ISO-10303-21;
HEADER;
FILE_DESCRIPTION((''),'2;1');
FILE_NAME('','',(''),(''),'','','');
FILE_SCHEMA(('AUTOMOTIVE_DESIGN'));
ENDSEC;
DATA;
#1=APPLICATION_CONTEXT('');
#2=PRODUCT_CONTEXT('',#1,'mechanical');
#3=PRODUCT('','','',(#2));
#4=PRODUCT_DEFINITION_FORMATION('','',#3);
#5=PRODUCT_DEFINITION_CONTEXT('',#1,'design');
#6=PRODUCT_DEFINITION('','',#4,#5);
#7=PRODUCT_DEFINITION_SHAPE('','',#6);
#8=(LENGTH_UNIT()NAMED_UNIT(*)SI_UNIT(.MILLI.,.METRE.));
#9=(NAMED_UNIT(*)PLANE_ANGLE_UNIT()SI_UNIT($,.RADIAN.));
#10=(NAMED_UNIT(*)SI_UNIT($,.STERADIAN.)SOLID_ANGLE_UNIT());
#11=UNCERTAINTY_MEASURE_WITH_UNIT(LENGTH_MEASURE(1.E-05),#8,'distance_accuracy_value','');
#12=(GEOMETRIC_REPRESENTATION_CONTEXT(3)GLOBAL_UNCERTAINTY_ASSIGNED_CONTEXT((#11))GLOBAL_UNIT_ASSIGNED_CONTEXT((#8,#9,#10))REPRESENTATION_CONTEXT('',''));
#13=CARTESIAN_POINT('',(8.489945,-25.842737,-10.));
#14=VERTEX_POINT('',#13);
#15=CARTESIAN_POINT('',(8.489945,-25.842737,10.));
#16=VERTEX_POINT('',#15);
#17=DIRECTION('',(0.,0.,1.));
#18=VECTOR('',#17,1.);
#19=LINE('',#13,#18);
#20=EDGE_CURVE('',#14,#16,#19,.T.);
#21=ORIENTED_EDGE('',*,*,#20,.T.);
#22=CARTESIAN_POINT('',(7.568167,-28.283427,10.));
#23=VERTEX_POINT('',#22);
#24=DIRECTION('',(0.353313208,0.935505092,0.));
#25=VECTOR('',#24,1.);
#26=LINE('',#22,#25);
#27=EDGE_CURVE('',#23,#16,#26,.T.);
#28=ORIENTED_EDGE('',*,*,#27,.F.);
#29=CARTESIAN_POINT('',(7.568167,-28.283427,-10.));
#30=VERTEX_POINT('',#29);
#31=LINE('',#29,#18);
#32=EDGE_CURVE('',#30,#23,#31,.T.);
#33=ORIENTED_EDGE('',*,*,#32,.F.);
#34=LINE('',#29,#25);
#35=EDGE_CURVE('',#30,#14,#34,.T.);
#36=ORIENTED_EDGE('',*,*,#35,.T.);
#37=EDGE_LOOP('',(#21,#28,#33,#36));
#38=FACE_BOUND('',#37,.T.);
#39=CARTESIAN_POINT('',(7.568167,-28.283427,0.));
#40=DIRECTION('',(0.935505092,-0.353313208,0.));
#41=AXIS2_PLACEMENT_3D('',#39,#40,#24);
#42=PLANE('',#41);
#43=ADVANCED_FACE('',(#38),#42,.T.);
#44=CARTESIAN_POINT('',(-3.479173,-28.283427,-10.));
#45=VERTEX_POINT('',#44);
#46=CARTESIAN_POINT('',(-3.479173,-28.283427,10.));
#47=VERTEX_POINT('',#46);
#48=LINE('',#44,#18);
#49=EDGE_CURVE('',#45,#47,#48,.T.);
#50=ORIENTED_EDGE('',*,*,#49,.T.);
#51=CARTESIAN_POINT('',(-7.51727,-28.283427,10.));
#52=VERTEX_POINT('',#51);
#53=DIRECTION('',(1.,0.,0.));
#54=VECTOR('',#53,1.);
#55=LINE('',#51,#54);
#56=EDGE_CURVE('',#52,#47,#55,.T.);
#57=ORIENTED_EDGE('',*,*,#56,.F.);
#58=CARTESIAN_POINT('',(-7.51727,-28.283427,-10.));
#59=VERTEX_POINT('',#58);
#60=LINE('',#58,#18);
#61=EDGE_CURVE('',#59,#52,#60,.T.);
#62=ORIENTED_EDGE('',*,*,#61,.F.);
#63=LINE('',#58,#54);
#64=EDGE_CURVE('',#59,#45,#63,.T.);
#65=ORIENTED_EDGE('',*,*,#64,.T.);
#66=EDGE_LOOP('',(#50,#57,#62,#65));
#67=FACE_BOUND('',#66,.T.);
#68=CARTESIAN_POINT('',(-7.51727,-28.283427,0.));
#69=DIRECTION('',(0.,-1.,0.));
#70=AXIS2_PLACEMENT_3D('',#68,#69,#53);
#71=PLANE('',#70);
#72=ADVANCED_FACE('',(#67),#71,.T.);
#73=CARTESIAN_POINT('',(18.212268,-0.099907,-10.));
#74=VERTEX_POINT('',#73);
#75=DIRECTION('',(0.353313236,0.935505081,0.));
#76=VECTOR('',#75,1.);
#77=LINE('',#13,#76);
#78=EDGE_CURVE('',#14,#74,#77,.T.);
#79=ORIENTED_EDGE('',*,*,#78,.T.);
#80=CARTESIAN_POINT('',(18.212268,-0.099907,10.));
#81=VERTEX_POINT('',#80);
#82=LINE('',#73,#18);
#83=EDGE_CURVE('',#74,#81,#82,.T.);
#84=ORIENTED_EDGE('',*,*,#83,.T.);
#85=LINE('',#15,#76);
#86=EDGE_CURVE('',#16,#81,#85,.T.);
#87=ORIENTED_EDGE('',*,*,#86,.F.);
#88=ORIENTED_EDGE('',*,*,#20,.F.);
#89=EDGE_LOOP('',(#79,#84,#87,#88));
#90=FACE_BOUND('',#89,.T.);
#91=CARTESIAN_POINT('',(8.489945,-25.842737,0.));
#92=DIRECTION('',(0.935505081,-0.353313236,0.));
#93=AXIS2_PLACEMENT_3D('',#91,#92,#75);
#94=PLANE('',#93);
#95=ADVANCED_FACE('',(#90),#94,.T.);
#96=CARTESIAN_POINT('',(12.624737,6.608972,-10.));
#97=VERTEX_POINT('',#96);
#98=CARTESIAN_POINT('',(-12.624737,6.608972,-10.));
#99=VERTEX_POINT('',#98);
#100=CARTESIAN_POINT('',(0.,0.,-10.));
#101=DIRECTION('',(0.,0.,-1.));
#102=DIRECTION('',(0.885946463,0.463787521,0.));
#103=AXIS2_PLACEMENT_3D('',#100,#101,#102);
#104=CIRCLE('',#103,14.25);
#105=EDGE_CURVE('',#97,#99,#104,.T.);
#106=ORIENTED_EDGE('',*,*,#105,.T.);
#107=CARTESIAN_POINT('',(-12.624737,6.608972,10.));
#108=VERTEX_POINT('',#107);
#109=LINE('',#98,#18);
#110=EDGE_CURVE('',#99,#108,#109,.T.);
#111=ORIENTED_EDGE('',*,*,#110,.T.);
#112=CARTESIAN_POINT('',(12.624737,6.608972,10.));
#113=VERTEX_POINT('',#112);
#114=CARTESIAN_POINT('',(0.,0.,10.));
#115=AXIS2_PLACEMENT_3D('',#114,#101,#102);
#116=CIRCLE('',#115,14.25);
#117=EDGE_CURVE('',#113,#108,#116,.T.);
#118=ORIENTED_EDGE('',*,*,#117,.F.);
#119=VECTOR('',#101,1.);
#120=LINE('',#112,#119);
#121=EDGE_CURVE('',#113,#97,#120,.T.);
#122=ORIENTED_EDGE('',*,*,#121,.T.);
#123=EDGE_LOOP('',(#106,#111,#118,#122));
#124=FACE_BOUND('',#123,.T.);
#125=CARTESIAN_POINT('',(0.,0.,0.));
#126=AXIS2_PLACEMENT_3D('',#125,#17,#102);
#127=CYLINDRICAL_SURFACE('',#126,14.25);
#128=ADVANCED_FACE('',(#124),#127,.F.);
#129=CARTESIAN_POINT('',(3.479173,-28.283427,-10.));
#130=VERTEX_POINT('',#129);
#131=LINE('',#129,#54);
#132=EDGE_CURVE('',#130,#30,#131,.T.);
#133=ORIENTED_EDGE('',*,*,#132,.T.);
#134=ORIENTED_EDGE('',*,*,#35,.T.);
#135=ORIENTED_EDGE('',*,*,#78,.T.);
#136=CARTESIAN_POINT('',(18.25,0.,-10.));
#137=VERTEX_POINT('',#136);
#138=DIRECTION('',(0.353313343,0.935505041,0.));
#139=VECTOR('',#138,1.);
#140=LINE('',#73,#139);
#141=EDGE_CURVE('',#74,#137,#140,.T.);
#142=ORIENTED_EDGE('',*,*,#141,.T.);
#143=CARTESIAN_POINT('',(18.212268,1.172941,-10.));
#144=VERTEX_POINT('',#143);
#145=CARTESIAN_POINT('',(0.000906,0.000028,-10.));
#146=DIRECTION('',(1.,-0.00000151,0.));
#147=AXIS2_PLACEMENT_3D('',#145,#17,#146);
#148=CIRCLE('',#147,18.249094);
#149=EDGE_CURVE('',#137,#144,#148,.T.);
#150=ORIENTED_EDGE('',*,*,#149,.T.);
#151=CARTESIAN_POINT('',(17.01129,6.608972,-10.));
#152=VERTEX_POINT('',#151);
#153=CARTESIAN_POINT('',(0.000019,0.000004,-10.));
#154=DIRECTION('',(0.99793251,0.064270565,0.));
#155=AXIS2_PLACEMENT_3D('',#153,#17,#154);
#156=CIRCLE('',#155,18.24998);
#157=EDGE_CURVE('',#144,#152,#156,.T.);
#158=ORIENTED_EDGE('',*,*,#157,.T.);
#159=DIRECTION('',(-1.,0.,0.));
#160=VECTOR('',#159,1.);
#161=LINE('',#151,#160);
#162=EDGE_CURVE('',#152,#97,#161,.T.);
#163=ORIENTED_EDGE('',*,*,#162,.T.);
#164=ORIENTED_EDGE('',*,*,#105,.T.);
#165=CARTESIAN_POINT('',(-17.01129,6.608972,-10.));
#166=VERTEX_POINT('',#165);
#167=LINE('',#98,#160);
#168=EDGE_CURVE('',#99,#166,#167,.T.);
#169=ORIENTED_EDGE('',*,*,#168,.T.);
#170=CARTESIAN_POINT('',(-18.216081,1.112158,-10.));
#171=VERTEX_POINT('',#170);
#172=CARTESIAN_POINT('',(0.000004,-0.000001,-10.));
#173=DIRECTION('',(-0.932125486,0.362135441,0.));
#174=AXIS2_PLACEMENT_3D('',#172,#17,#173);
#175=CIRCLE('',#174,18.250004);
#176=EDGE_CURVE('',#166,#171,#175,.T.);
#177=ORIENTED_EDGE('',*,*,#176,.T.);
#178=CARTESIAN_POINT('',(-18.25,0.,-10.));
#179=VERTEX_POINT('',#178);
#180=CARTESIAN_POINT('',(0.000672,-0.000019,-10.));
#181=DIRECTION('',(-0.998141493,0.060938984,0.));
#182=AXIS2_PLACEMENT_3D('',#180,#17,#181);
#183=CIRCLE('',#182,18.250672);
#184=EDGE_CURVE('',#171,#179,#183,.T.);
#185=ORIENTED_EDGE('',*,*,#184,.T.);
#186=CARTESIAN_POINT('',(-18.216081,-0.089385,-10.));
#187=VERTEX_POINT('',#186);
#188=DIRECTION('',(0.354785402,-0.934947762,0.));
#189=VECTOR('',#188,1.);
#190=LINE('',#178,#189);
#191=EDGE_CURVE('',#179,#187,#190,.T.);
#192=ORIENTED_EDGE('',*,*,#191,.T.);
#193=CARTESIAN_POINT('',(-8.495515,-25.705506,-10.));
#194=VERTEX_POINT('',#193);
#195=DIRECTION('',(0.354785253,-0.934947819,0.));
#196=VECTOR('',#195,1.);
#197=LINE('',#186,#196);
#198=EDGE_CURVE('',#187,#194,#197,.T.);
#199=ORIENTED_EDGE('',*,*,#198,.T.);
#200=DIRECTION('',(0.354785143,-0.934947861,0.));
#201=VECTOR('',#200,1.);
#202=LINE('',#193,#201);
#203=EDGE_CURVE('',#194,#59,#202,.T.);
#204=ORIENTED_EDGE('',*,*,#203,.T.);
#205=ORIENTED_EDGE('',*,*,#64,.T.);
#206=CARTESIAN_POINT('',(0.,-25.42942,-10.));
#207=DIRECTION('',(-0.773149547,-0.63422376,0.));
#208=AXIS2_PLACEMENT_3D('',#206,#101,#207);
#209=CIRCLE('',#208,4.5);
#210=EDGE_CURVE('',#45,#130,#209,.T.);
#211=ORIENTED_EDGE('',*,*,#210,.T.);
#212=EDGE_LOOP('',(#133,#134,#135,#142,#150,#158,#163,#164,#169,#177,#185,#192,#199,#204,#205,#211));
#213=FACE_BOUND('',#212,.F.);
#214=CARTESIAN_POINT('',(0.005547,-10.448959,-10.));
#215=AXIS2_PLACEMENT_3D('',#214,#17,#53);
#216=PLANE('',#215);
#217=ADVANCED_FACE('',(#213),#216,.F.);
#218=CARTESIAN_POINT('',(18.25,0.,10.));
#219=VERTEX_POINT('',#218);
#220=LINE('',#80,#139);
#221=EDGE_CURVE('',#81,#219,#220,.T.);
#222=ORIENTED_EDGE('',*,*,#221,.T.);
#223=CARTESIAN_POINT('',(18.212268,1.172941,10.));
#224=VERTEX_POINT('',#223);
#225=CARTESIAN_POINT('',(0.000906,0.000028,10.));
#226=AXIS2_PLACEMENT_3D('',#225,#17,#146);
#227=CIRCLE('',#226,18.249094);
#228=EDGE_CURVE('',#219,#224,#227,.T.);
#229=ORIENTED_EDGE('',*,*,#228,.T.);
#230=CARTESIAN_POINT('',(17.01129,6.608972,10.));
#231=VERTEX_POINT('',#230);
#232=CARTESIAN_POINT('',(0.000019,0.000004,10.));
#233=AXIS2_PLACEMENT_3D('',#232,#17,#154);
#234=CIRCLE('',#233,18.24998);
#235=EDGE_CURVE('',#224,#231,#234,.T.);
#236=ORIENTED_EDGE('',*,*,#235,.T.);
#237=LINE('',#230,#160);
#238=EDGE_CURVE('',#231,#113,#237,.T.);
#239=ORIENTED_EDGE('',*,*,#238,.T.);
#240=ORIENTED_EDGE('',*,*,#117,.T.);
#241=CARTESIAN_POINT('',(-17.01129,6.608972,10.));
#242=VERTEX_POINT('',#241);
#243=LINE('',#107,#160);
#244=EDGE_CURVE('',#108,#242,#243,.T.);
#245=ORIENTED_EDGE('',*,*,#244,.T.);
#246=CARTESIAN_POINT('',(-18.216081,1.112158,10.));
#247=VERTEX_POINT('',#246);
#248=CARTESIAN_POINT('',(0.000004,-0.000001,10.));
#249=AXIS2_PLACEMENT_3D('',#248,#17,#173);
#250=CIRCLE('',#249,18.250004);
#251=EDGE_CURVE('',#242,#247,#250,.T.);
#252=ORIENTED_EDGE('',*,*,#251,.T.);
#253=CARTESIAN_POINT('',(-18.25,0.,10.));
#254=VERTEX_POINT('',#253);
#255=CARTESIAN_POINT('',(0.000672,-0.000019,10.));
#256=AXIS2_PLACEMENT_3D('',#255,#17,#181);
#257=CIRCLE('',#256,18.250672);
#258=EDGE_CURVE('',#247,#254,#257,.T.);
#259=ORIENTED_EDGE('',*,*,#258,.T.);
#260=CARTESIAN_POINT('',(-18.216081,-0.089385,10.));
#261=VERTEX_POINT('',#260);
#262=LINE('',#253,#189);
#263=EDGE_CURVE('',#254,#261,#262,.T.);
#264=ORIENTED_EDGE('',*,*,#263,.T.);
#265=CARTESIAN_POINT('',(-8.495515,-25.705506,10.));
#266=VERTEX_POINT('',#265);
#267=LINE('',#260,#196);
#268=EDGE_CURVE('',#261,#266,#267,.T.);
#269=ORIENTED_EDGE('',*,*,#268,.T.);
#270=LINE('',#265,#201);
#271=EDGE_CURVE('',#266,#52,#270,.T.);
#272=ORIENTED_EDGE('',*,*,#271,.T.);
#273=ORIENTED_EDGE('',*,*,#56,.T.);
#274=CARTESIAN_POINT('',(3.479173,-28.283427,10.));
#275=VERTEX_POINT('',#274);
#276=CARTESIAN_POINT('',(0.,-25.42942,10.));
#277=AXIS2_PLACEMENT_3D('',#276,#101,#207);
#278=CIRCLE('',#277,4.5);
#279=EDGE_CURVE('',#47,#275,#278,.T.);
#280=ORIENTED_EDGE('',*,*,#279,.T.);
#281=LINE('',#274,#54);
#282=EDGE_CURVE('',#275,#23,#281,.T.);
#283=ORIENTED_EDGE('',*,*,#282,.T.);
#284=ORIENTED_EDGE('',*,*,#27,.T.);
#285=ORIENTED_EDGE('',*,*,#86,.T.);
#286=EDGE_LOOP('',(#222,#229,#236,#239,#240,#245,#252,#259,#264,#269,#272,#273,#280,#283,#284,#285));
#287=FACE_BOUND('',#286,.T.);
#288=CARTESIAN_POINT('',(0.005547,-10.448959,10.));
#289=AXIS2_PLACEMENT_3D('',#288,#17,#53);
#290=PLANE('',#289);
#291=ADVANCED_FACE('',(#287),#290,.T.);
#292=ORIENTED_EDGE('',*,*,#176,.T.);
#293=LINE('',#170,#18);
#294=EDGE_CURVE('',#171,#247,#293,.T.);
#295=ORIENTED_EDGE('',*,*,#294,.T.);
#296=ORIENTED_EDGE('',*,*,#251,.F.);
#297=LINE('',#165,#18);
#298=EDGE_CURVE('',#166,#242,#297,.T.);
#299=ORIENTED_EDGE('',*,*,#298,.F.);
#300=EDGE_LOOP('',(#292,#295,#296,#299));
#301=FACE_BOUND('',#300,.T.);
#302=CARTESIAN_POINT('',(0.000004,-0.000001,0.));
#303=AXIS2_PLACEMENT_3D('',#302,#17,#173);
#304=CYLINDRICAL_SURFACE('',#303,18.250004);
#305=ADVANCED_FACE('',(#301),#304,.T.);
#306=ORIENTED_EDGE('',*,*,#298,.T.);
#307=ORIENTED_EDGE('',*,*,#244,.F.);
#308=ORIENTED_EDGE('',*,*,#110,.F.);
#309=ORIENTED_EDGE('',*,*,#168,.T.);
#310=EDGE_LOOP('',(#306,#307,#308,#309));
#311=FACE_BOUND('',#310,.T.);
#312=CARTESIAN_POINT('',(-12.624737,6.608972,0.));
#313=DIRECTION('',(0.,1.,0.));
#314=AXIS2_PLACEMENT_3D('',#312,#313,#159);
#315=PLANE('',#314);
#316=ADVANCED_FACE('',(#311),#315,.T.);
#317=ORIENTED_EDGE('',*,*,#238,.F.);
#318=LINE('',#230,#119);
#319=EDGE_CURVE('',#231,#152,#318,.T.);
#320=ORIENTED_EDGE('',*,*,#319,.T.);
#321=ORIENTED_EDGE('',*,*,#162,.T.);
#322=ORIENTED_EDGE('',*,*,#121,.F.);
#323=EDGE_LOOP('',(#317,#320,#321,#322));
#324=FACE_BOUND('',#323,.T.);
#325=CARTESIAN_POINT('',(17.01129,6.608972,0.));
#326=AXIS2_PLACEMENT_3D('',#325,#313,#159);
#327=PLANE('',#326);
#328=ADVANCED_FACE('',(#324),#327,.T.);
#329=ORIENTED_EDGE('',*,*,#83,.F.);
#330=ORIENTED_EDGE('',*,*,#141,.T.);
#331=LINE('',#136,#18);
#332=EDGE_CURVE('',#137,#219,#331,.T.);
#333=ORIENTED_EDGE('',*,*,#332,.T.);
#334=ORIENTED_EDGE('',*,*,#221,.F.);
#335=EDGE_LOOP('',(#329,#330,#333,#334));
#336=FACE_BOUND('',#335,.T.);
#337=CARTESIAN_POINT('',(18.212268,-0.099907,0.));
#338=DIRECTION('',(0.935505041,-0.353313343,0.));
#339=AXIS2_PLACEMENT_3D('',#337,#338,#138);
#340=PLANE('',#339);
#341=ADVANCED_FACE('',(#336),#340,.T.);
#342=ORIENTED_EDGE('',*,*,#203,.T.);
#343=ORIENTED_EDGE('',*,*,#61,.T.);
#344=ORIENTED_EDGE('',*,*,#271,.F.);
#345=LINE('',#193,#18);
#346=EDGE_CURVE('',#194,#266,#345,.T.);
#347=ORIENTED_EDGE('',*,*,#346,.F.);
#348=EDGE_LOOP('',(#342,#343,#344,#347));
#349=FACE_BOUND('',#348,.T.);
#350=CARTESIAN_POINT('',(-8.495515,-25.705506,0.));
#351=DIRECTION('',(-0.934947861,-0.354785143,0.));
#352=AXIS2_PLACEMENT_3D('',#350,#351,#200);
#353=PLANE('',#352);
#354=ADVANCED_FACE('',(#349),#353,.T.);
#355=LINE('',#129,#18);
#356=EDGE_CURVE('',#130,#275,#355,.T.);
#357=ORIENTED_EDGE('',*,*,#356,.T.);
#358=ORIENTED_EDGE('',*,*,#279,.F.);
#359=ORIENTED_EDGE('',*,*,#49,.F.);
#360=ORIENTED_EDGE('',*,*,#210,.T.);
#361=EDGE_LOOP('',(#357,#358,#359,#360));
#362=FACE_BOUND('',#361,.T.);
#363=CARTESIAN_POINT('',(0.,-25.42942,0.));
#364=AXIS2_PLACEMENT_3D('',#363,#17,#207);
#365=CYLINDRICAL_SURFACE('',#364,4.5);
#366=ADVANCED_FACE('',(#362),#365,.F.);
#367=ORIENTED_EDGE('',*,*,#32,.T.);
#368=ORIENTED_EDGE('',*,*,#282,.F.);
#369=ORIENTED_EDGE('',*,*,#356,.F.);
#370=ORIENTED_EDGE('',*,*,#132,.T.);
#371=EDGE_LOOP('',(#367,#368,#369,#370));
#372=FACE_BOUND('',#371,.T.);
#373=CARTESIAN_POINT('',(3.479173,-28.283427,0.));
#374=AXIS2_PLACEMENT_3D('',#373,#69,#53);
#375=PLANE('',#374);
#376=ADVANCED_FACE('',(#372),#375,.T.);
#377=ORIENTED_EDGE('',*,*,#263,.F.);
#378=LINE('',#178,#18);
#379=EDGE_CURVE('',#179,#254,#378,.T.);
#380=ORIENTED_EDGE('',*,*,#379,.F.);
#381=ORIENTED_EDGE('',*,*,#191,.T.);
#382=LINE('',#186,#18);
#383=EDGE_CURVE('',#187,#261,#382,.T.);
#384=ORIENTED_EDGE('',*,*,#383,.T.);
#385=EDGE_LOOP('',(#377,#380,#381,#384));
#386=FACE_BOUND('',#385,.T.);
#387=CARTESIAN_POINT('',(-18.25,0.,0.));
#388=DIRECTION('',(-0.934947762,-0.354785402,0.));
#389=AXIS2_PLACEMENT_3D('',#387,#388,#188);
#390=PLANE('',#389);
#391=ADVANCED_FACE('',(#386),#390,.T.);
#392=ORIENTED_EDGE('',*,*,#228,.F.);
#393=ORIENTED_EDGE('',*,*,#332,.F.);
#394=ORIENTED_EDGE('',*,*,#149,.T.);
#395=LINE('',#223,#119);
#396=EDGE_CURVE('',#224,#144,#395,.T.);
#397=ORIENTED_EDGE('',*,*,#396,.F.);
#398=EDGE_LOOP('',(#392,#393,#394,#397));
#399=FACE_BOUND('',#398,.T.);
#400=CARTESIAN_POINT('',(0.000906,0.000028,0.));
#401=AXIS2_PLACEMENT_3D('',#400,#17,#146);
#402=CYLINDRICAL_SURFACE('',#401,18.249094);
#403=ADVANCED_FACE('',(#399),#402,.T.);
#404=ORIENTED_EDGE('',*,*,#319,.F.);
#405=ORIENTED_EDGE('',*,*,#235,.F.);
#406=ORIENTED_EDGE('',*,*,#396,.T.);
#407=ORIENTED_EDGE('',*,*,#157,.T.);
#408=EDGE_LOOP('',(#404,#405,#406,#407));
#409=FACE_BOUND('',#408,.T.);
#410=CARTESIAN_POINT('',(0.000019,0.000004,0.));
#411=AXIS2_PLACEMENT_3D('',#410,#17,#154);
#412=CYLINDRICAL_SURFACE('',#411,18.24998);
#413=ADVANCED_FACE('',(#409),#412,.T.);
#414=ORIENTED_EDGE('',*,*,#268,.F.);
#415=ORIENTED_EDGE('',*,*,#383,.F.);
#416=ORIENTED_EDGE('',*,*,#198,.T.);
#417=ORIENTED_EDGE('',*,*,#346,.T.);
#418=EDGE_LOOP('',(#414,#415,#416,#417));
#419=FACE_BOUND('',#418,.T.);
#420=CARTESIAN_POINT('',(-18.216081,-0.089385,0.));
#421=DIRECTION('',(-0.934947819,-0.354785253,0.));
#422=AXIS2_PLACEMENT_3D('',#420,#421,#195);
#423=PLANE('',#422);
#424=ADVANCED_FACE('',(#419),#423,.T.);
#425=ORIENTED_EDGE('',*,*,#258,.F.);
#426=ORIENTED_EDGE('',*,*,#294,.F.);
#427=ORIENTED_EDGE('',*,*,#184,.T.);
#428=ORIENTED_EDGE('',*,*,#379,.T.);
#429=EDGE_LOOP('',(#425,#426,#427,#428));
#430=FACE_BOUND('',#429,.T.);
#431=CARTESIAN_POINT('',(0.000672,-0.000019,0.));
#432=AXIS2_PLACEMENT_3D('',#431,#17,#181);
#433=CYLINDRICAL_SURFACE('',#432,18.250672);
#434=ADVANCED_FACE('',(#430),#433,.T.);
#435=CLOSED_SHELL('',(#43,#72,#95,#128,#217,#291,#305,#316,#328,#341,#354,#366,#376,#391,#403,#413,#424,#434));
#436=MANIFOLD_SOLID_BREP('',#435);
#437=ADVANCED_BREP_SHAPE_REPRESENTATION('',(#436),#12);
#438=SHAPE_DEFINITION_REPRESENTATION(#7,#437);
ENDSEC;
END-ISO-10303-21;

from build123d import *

# Parameters (mm, degrees)
F1_DEPTH      = 10
F1_DEPTH_BACK = 10


with BuildPart() as f1:
    # F0 (on Top) → F1 (new body, two sides)
    with BuildSketch(Plane.XY) as f1_sk:
        with BuildLine():
            ThreePointArc((12.624737, 6.608972), (0, -14.25), (-12.624737, 6.608972))
            Line((-12.624737, 6.608972), (-17.01129, 6.608972))
            ThreePointArc((-17.01129, 6.608972), (-17.826824, 3.907281), (-18.216081, 1.112158))
            Line((-18.216081, 1.112158), (-18.216081, -0.089385))
            Line((-18.216081, -0.089385), (-8.495515, -25.705506))
            Line((-8.495515, -25.705506), (-7.51727, -28.283427))
            Line((-7.51727, -28.283427), (-3.479173, -28.283427))
            ThreePointArc((-3.479173, -28.283427), (0, -20.92942), (3.479173, -28.283427))
            Line((3.479173, -28.283427), (7.568167, -28.283427))
            Line((7.568167, -28.283427), (8.489945, -25.842737))
            Line((8.489945, -25.842737), (18.212268, -0.099907))
            Line((18.212268, -0.099907), (18.212268, 1.172941))
            ThreePointArc((18.212268, 1.172941), (17.82028, 3.93702), (17.01129, 6.608972))
            Line((17.01129, 6.608972), (12.624737, 6.608972))
        make_face()
        with BuildLine():
            Line((-18.216081, -0.089385), (-18.216081, 1.112158))
            ThreePointArc((-18.216081, 1.112158), (-18.241518, 0.556337), (-18.25, 0))
            Line((-18.25, 0), (-18.216081, -0.089385))
        make_face()
        with BuildLine():
            ThreePointArc((18.25, 0), (18.240565, 0.586774), (18.212268, 1.172941))
            Line((18.212268, 1.172941), (18.212268, -0.099907))
            Line((18.212268, -0.099907), (18.25, 0))
        make_face()
    extrude(amount=F1_DEPTH)
    extrude(f1_sk.sketch, amount=-F1_DEPTH_BACK)


solid = f1.part
